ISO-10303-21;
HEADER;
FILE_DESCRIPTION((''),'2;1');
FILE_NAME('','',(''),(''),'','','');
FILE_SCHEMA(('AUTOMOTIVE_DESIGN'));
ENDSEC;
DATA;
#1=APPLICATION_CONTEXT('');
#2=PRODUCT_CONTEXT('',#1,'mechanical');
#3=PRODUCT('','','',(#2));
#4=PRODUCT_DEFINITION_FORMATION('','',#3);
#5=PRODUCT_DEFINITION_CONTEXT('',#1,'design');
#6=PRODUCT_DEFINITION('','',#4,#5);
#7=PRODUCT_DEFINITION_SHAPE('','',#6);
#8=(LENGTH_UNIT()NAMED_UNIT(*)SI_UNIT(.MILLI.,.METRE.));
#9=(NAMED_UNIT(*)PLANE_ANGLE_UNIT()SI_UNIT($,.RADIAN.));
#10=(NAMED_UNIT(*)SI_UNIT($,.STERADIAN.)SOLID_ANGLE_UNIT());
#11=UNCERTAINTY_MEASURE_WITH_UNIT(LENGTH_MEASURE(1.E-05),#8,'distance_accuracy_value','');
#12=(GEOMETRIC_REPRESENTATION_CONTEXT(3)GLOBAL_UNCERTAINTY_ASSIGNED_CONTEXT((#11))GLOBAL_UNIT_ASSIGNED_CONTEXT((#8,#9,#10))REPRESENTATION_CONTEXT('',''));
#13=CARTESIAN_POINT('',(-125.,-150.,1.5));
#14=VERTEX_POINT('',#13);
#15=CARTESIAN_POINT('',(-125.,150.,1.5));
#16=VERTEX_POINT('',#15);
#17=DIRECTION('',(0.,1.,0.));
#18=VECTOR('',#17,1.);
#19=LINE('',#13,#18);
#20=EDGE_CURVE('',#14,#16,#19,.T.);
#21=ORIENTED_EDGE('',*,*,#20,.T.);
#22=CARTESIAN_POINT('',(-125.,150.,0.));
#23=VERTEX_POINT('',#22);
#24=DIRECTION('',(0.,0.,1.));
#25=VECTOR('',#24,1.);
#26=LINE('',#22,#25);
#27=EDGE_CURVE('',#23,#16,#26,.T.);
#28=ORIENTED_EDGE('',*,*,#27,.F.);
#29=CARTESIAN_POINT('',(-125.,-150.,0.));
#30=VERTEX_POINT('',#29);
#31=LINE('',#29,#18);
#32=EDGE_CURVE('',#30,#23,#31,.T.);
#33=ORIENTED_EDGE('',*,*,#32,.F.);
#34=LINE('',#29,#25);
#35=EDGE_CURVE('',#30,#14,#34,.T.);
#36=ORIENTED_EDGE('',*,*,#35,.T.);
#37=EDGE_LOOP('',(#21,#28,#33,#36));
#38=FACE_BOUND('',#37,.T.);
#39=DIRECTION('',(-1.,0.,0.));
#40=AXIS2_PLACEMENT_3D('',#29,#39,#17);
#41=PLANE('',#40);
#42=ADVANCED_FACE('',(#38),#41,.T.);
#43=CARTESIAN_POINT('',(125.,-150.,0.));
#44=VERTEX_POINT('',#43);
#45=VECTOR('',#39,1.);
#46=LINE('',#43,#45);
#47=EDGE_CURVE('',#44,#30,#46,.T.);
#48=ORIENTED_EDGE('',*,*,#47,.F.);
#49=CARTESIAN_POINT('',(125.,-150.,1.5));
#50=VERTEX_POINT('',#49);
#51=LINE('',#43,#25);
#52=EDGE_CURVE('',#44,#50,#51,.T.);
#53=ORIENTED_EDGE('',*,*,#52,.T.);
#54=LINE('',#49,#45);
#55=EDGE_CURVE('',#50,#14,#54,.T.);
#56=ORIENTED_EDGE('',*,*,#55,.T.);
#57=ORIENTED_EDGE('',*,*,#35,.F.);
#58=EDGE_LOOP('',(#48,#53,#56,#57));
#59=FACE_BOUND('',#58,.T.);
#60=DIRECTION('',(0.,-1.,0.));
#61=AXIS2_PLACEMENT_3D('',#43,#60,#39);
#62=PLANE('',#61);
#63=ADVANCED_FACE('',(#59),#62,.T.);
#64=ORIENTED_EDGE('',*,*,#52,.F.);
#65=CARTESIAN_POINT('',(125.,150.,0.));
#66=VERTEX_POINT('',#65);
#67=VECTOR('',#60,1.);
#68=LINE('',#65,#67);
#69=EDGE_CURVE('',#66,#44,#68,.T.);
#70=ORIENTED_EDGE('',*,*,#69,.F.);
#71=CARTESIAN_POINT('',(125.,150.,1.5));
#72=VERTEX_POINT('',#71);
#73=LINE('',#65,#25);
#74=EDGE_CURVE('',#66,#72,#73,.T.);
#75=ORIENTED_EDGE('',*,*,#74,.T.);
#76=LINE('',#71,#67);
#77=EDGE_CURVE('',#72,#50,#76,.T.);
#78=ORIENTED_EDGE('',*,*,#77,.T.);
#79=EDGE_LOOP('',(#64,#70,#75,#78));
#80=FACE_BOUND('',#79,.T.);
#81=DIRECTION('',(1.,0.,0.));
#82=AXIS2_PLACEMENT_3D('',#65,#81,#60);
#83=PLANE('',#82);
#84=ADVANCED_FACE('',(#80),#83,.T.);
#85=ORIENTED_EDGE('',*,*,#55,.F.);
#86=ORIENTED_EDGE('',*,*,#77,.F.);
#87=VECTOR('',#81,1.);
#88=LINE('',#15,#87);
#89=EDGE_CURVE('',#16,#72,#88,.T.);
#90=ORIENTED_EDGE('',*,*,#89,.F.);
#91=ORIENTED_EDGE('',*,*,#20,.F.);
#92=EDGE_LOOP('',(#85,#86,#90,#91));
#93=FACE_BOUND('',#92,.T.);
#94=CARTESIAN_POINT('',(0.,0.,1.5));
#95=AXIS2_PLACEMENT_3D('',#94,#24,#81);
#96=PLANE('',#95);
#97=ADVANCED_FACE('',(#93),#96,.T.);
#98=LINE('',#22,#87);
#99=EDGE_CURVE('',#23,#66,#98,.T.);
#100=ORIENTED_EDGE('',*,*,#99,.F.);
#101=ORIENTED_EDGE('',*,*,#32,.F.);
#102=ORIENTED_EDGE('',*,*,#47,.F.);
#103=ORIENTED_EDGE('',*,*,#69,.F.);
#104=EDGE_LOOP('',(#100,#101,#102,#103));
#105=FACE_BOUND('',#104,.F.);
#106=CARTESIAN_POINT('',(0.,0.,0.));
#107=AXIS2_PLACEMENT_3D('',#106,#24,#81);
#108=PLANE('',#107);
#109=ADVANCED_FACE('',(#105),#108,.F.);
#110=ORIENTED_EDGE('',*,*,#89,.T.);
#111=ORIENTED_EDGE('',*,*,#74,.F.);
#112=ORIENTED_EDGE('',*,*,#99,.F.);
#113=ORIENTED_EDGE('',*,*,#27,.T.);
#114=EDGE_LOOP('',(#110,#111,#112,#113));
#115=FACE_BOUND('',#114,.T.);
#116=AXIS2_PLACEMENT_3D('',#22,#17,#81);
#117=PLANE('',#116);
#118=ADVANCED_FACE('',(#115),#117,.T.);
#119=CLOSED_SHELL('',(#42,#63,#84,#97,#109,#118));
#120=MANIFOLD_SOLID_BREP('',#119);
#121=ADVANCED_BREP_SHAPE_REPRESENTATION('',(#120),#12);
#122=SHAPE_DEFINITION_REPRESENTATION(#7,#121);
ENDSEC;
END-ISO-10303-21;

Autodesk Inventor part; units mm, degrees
ref_plane "YZ Plane" through (0, 0, 0) normal (1, 0, 0) x (0, 1, 0)
ref_plane "XZ Plane" through (0, 0, 0) normal (0, 1, 0) x (-1, 0, 0)
ref_plane "XY Plane" through (0, 0, 0) normal (0, 0, 1) x (1, 0, 0)
sketch "Sketch1" plane through (0, 0, 0) normal (0, 0, 1) x (1, 0, 0)
  line L0 (125, -150) -> (-125, -150)
  line L1 (-125, -150) -> (-125, 150)
  line L2 (-125, 150) -> (125, 150)
  line L3 (125, 150) -> (125, -150)
  line L4 (125, -150) -> (-125, 150) construction
  line L5 (-125, -150) -> (125, 150) construction
  point P0 (0, 0)
  dimension "d0" = 250
  dimension "d1" = 300
extrude "Extrusion1" add sketch "Sketch1" along normal blind 1.5
properties part number "Bed Magnet" material "Acetal Resin, Black"
